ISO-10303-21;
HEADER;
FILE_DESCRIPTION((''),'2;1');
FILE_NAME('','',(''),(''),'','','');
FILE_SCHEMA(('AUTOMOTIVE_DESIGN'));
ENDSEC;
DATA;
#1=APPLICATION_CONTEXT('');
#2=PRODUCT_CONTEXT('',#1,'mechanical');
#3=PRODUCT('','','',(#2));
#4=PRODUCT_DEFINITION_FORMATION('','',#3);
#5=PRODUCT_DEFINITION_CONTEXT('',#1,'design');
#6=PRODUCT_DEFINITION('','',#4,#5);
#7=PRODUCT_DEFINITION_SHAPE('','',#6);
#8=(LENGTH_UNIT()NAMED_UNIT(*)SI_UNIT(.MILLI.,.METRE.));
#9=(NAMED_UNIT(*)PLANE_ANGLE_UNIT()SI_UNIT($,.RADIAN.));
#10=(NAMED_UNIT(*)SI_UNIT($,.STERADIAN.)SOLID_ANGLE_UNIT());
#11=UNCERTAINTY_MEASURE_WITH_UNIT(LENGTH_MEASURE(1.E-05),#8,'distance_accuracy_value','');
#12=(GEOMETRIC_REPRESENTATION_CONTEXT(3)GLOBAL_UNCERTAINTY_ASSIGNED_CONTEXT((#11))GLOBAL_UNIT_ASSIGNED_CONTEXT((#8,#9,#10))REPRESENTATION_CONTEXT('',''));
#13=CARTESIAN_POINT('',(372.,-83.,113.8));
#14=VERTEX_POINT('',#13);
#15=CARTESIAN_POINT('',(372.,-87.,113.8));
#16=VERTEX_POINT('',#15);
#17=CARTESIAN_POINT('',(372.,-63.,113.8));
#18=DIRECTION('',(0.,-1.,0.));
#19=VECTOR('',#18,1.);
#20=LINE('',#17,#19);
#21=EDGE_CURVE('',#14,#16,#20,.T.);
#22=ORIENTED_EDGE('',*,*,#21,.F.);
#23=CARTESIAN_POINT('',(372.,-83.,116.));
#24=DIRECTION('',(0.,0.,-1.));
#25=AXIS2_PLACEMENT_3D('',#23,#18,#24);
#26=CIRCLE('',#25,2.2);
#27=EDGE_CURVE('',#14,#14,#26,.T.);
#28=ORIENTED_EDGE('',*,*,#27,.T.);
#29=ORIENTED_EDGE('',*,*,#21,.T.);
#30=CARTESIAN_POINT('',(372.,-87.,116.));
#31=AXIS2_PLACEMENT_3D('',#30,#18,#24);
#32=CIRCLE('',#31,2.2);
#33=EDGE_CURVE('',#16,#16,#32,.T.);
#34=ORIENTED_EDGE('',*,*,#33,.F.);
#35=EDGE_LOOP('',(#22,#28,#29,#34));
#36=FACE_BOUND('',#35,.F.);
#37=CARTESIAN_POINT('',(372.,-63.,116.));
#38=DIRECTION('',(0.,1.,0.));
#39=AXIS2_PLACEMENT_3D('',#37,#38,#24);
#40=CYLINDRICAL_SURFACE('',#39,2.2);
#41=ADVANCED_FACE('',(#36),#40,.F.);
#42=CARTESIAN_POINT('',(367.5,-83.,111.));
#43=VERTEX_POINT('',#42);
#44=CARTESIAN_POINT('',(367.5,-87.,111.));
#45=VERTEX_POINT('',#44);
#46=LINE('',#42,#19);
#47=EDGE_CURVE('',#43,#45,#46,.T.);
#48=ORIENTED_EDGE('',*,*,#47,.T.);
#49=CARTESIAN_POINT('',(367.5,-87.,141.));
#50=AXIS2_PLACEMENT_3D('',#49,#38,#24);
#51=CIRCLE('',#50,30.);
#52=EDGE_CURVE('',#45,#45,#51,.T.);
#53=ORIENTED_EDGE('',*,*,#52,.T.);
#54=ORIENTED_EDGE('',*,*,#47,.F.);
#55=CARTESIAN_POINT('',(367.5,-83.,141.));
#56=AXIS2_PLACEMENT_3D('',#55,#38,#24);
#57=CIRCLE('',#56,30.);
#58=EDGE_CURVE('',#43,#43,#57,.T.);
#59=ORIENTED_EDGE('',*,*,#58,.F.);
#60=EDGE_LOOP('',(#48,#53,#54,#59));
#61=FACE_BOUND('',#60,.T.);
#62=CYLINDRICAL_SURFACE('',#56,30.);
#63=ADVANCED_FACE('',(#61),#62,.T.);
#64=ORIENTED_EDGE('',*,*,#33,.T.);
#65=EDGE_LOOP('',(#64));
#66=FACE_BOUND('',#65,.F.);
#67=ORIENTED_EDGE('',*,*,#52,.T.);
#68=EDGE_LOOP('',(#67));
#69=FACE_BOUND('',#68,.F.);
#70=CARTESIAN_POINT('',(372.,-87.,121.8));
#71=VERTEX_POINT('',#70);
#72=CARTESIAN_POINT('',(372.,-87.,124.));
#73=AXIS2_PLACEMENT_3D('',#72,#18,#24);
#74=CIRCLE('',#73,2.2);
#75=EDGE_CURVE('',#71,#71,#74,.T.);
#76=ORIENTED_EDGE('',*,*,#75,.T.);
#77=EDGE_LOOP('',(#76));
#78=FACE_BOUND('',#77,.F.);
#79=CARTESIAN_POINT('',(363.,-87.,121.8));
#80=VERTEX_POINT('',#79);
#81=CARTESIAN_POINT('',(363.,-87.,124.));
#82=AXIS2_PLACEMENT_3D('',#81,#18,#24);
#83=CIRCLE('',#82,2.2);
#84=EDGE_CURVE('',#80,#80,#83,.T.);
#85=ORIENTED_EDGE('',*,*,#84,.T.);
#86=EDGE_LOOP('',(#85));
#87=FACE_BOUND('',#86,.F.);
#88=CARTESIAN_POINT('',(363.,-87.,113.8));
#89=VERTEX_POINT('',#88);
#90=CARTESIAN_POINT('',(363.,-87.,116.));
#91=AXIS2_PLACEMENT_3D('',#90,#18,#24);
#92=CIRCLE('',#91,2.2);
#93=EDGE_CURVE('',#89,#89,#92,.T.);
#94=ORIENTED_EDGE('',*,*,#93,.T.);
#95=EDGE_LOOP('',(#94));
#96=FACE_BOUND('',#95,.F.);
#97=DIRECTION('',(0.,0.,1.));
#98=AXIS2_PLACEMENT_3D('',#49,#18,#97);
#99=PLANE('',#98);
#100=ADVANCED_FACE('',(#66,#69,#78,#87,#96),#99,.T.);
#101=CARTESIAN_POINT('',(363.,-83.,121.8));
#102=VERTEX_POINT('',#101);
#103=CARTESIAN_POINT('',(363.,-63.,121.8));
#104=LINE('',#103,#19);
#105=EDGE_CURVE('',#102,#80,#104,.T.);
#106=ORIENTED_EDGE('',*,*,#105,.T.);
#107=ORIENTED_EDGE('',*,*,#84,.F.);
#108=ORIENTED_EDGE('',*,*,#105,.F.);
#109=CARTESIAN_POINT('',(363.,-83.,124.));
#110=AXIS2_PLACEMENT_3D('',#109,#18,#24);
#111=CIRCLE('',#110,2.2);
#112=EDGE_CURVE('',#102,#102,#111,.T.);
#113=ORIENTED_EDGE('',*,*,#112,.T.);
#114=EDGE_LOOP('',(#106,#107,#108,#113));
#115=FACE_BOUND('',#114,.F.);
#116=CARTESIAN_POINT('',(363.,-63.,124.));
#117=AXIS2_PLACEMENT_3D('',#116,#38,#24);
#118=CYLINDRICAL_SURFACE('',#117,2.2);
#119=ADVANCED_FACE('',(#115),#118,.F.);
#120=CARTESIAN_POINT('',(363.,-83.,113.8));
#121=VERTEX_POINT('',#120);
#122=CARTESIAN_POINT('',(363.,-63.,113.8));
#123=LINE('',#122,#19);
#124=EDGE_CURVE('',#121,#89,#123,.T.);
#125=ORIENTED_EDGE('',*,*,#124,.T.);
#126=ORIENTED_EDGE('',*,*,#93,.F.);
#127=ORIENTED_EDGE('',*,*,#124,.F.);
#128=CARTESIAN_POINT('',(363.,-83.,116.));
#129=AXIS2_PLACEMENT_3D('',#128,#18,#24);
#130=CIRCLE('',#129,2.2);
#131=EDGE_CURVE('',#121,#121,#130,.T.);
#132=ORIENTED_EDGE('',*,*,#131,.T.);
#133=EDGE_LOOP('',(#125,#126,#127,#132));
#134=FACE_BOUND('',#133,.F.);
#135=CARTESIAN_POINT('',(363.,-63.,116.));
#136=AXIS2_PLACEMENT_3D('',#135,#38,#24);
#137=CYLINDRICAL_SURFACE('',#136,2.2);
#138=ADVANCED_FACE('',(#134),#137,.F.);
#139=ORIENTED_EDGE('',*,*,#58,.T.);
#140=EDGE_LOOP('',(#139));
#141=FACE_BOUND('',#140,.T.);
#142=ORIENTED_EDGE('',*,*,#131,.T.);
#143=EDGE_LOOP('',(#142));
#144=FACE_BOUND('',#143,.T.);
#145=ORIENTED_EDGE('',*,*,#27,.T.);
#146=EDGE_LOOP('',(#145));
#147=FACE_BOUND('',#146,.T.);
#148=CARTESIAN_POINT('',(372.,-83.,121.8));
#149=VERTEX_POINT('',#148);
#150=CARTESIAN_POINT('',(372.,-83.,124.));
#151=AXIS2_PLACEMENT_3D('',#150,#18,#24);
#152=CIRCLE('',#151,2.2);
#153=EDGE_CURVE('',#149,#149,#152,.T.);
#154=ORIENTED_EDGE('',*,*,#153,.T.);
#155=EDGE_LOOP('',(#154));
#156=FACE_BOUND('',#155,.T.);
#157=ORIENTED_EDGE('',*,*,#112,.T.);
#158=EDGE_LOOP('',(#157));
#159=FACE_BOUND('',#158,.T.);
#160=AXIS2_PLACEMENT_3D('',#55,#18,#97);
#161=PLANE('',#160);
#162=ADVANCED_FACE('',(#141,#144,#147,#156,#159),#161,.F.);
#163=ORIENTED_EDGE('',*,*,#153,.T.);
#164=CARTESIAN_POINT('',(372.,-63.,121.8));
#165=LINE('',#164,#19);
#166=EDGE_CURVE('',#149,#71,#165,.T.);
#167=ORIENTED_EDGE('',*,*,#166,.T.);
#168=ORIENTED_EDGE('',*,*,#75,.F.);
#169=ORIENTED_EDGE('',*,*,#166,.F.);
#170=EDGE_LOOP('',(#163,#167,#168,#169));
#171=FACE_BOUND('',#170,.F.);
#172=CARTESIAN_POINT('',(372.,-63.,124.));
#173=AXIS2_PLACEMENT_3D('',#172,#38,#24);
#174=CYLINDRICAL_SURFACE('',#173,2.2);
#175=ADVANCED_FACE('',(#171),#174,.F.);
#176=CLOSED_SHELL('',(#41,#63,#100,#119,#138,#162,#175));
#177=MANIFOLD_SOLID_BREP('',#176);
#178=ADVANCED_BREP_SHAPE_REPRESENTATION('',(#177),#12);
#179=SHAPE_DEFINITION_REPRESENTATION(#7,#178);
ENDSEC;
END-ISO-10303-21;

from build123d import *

# Parameters (mm, degrees)
CYLINDER043_R                 = 2.2
CYLINDER043_DEPTH             = 26
CYLINDER043_ROLL_ANGLE        = -90
ARRAY010_X_COUNT              = 2
ARRAY010_X_PITCH              = 8
ARRAY010_Z_COUNT              = 2
ARRAY010_Z_PITCH              = 9
CYLINDER041_R                 = 30
CYLINDER041_DEPTH             = 4
CYLINDER041_ROLL_ANGLE        = -90
PART_MIRRORING003_PITCH_ANGLE = 90


with BuildPart() as taladros_suje_traccion005:
    # Cylinder043 → Cylinder043 (new body)
    with BuildSketch(Plane.XY):
        Circle(CYLINDER043_R)
    extrude(amount=CYLINDER043_DEPTH)


with BuildPart() as taladros_suje_traccion005_1:
    # Cylinder043 roll: moved
    add(taladros_suje_traccion005.part.rotate(Axis((0, 0, 0), (1, 0, 0)), CYLINDER043_ROLL_ANGLE))


with BuildPart() as taladros_suje_traccion005_2:
    # Cylinder043 placement: moved
    add(taladros_suje_traccion005_1.part.moved(Location((202, 0, 4))))

    # Array010 X: Taladros_suje_traccion005 ×2


with BuildPart() as taladros_suje_traccion005_3:
    add(taladros_suje_traccion005_2.part)
    with Locations(*[(i * ARRAY010_X_PITCH, 0, 0) for i in range(1, ARRAY010_X_COUNT)]):
        add(taladros_suje_traccion005_2.part)

    # Array010 Z: Taladros_suje_traccion005 ×2


with BuildPart() as taladros_suje_traccion005_4:
    add(taladros_suje_traccion005_3.part)
    with Locations(*[(0, 0, i * ARRAY010_Z_PITCH) for i in range(1, ARRAY010_Z_COUNT)]):
        add(taladros_suje_traccion005_3.part)


with BuildPart() as traccion002:
    # Cylinder041 → Cylinder041 (new body)
    with BuildSketch(Plane.XY):
        Circle(CYLINDER041_R)
    extrude(amount=CYLINDER041_DEPTH)


with BuildPart() as traccion002_1:
    # Cylinder041 roll: moved
    add(traccion002.part.rotate(Axis((0, 0, 0), (1, 0, 0)), CYLINDER041_ROLL_ANGLE))


with BuildPart() as traccion002_2:
    # Cylinder041 placement: moved
    add(traccion002_1.part.moved(Location((185, 20, 8.5))))

    # Cut026: cut Taladros_suje_traccion005
    add(taladros_suje_traccion005_4.part, mode=Mode.SUBTRACT)


with BuildPart() as part_mirroring003:
    # Part__Mirroring003: instance of Traccion002
    add(traccion002_2.part.mirror(Plane(origin=(0, 0, 0), x_dir=(1, 0, 0), z_dir=(0, 1, 0))))


with BuildPart() as part_mirroring003_1:
    # Part__Mirroring003 pitch: moved
    add(part_mirroring003.part.rotate(Axis((0, 0, 0), (0, 1, 0)), PART_MIRRORING003_PITCH_ANGLE))


with BuildPart() as part_mirroring003_2:
    # Part__Mirroring003 placement: moved
    add(part_mirroring003_1.part.moved(Location((359, -63, 326))))


solid = part_mirroring003_2.part
